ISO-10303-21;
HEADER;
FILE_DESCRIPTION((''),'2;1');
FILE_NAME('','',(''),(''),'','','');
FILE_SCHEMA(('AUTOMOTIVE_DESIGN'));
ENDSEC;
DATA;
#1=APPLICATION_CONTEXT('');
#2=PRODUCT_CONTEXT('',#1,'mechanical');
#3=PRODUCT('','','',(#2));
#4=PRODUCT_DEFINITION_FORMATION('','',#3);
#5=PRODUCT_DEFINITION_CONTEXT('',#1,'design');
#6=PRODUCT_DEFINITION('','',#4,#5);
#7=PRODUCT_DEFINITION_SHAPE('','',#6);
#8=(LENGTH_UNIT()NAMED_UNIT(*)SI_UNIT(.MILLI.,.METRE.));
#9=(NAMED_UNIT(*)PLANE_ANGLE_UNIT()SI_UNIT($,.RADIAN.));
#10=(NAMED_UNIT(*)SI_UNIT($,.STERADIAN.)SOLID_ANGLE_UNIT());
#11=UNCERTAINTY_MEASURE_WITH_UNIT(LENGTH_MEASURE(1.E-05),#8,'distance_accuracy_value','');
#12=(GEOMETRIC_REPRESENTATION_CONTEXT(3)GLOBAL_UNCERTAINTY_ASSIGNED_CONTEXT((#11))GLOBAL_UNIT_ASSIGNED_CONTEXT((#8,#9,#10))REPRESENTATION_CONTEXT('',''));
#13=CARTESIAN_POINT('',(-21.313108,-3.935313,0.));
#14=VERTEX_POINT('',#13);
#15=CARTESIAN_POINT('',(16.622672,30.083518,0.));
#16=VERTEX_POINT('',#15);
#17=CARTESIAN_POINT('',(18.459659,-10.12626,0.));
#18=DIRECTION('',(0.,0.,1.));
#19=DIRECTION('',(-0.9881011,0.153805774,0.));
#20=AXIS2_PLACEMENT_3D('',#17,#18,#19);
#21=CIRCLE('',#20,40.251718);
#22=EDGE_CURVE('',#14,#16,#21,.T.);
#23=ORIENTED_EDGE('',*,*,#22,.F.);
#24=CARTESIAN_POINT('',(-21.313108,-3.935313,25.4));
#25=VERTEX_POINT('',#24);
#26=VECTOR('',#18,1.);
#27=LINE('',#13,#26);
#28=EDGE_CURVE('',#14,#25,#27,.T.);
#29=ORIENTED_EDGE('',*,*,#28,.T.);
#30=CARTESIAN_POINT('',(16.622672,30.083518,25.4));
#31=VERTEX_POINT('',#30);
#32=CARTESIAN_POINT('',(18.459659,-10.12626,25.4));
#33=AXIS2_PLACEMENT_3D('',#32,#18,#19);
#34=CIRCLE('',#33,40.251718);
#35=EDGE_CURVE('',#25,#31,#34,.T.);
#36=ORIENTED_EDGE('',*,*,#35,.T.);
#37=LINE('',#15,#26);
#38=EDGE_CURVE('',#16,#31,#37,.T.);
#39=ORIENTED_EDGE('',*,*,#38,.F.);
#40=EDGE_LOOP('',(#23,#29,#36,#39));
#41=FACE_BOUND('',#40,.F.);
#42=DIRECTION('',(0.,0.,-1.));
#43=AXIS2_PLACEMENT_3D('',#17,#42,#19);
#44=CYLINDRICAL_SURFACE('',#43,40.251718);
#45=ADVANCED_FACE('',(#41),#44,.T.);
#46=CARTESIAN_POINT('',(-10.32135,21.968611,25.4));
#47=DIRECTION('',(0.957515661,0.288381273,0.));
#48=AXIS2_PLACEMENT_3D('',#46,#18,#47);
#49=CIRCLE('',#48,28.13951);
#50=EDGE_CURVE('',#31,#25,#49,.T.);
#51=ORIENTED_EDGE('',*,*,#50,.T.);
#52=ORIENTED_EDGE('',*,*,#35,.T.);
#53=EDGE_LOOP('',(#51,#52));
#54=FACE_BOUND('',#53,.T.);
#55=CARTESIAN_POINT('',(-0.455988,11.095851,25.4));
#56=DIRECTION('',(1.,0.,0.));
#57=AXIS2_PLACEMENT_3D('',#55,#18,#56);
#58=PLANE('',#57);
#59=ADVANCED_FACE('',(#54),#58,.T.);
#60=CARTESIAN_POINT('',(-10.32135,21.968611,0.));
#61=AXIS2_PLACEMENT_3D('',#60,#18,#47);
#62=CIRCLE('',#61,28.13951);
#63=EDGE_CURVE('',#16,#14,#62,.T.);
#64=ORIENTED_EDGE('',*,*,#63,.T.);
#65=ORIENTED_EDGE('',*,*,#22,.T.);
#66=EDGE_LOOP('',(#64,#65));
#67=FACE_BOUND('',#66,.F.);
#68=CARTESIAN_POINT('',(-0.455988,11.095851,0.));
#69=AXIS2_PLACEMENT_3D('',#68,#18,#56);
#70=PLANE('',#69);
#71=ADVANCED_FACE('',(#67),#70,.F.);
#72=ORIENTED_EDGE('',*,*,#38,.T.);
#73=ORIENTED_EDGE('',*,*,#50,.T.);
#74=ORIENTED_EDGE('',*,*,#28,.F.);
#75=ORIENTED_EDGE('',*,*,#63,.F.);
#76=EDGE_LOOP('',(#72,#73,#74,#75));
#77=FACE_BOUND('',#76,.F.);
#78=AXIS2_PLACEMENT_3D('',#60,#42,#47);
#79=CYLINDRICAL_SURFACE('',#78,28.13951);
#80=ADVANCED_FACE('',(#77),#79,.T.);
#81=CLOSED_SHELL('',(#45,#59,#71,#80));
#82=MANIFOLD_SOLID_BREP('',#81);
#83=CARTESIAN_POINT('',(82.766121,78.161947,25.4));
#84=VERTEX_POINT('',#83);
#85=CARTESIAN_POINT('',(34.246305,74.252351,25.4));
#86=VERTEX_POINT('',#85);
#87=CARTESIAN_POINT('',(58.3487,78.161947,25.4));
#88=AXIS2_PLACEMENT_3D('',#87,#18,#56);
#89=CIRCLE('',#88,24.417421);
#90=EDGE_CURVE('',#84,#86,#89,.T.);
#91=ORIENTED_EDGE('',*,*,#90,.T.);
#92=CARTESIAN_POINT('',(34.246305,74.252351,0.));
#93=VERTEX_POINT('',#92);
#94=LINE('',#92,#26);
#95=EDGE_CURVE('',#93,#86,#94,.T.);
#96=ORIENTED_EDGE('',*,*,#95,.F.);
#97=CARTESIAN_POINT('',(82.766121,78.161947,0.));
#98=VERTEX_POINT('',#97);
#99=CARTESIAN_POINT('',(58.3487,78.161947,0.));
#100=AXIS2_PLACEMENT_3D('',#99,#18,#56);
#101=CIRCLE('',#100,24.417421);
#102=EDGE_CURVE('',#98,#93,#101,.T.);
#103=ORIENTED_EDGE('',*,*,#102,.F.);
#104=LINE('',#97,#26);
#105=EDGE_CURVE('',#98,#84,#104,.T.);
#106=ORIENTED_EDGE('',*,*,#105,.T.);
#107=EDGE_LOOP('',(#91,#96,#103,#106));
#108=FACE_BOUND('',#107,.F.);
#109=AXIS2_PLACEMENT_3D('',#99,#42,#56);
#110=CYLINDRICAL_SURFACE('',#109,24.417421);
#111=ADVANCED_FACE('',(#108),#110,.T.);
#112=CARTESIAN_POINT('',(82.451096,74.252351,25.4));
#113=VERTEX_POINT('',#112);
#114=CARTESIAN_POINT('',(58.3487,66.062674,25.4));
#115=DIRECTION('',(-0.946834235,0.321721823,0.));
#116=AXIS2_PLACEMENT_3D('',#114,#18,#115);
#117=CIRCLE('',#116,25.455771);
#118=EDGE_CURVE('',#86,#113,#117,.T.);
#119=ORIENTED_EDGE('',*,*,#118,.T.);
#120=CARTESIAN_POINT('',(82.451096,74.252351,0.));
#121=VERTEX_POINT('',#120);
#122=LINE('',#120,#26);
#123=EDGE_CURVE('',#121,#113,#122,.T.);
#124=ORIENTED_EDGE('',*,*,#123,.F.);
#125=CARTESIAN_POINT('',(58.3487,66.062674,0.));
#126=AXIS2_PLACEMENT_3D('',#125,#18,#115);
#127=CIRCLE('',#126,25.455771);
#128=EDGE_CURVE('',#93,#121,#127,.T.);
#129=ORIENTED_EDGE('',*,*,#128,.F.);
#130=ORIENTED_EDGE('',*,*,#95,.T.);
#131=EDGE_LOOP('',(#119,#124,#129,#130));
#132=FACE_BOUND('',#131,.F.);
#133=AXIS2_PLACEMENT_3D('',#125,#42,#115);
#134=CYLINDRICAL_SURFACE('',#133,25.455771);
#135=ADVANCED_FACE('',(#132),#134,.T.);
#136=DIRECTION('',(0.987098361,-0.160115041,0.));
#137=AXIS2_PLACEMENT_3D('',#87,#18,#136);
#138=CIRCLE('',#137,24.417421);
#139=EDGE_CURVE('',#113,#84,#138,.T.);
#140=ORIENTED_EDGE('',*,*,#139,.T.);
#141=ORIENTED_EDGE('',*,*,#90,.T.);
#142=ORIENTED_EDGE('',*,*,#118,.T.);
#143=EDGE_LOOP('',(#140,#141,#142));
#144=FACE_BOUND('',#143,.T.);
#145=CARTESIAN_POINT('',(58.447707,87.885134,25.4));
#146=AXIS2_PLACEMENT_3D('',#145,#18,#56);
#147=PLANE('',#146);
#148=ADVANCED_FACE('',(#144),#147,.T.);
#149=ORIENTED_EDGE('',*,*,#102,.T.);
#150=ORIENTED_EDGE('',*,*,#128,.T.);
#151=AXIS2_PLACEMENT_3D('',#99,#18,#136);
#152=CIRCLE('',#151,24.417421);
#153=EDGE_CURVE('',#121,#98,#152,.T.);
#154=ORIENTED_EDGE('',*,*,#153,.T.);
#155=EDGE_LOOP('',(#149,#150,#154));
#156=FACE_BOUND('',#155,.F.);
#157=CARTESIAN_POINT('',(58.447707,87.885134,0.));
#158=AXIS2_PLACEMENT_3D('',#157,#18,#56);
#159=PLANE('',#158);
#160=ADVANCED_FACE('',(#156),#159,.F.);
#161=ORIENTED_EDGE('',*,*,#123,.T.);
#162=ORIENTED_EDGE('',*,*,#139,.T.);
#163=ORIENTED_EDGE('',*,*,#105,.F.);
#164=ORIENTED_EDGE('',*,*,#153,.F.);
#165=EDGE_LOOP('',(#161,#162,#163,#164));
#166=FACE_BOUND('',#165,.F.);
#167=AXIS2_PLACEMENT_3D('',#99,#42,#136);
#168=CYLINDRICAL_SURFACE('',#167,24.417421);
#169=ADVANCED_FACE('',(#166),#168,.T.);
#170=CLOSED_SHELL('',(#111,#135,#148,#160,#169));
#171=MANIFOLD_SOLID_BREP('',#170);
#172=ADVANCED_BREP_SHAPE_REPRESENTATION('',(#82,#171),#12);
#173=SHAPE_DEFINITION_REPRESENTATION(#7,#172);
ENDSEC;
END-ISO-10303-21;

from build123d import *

# Parameters (mm, degrees)
F1_DEPTH = 25.4


with BuildPart() as f1:
    # F0 (on Top) → F1 (new body)
    with BuildSketch(Plane.XY):
        with BuildLine():
            ThreePointArc((-21.313107773, -3.9353134575), (5.2113469814, -1.4955611003), (17.8181601679, 21.9686105847))
            ThreePointArc((17.8181601679, 21.9686105847), (17.5176837905, 26.0698579564), (16.6226716892, 30.0835183052))
            ThreePointArc((16.6226716892, 30.0835183052), (-8.4134341697, 19.841016419), (-21.313107773, -3.9353134575))
        make_face()
        with BuildLine():
            ThreePointArc((16.6226716892, 30.0835183052), (17.5176837905, 26.0698579564), (17.8181601679, 21.9686105847))
            ThreePointArc((17.8181601679, 21.9686105847), (5.2113469814, -1.4955611003), (-21.313107773, -3.9353134575))
            ThreePointArc((-21.313107773, -3.9353134575), (15.3549362695, -50.2580617024), (58.71137708, -10.1262601092))
            ThreePointArc((58.71137708, -10.1262601092), (46.2648645603, 18.9782301011), (16.6226716892, 30.0835183052))
        make_face()
        with BuildLine():
            ThreePointArc((-21.313107773, -3.9353134575), (-8.4134341697, 19.841016419), (16.6226716892, 30.0835183052))
            ThreePointArc((16.6226716892, 30.0835183052), (-29.1080181694, 42.9183866283), (-21.313107773, -3.9353134575))
        make_face()
    extrude(amount=F1_DEPTH)


with BuildPart() as f1b:
    # F0 (on Top) → F1, piece 2 (new body)
    with BuildSketch(Plane.XY):
        with BuildLine():
            ThreePointArc((82.4510962925, 74.252351118), (82.687237437, 76.200813579), (82.7661210475, 78.1619474292))
            ThreePointArc((82.7661210475, 78.1619474292), (56.387566554, 102.500484462), (34.2463045158, 74.252351118))
            ThreePointArc((34.2463045158, 74.252351118), (58.3487004042, 91.5184453753), (82.4510962925, 74.252351118))
        make_face()
        with BuildLine():
            ThreePointArc((82.4510962925, 74.252351118), (58.3487004042, 91.5184453753), (34.2463045158, 74.252351118))
            ThreePointArc((34.2463045158, 74.252351118), (58.3487004042, 53.7445267858), (82.4510962925, 74.252351118))
        make_face()
        with BuildLine():
            ThreePointArc((82.4510962925, 74.252351118), (58.3487004042, 53.7445267858), (34.2463045158, 74.252351118))
            ThreePointArc((34.2463045158, 74.252351118), (54.1983257852, 40.9475252988), (83.8044718531, 66.0626739264))
            ThreePointArc((83.8044718531, 66.0626739264), (83.4638490317, 70.2130485453), (82.4510962925, 74.252351118))
        make_face()
    extrude(amount=F1_DEPTH)


solid = Compound([f1.part, f1b.part])
